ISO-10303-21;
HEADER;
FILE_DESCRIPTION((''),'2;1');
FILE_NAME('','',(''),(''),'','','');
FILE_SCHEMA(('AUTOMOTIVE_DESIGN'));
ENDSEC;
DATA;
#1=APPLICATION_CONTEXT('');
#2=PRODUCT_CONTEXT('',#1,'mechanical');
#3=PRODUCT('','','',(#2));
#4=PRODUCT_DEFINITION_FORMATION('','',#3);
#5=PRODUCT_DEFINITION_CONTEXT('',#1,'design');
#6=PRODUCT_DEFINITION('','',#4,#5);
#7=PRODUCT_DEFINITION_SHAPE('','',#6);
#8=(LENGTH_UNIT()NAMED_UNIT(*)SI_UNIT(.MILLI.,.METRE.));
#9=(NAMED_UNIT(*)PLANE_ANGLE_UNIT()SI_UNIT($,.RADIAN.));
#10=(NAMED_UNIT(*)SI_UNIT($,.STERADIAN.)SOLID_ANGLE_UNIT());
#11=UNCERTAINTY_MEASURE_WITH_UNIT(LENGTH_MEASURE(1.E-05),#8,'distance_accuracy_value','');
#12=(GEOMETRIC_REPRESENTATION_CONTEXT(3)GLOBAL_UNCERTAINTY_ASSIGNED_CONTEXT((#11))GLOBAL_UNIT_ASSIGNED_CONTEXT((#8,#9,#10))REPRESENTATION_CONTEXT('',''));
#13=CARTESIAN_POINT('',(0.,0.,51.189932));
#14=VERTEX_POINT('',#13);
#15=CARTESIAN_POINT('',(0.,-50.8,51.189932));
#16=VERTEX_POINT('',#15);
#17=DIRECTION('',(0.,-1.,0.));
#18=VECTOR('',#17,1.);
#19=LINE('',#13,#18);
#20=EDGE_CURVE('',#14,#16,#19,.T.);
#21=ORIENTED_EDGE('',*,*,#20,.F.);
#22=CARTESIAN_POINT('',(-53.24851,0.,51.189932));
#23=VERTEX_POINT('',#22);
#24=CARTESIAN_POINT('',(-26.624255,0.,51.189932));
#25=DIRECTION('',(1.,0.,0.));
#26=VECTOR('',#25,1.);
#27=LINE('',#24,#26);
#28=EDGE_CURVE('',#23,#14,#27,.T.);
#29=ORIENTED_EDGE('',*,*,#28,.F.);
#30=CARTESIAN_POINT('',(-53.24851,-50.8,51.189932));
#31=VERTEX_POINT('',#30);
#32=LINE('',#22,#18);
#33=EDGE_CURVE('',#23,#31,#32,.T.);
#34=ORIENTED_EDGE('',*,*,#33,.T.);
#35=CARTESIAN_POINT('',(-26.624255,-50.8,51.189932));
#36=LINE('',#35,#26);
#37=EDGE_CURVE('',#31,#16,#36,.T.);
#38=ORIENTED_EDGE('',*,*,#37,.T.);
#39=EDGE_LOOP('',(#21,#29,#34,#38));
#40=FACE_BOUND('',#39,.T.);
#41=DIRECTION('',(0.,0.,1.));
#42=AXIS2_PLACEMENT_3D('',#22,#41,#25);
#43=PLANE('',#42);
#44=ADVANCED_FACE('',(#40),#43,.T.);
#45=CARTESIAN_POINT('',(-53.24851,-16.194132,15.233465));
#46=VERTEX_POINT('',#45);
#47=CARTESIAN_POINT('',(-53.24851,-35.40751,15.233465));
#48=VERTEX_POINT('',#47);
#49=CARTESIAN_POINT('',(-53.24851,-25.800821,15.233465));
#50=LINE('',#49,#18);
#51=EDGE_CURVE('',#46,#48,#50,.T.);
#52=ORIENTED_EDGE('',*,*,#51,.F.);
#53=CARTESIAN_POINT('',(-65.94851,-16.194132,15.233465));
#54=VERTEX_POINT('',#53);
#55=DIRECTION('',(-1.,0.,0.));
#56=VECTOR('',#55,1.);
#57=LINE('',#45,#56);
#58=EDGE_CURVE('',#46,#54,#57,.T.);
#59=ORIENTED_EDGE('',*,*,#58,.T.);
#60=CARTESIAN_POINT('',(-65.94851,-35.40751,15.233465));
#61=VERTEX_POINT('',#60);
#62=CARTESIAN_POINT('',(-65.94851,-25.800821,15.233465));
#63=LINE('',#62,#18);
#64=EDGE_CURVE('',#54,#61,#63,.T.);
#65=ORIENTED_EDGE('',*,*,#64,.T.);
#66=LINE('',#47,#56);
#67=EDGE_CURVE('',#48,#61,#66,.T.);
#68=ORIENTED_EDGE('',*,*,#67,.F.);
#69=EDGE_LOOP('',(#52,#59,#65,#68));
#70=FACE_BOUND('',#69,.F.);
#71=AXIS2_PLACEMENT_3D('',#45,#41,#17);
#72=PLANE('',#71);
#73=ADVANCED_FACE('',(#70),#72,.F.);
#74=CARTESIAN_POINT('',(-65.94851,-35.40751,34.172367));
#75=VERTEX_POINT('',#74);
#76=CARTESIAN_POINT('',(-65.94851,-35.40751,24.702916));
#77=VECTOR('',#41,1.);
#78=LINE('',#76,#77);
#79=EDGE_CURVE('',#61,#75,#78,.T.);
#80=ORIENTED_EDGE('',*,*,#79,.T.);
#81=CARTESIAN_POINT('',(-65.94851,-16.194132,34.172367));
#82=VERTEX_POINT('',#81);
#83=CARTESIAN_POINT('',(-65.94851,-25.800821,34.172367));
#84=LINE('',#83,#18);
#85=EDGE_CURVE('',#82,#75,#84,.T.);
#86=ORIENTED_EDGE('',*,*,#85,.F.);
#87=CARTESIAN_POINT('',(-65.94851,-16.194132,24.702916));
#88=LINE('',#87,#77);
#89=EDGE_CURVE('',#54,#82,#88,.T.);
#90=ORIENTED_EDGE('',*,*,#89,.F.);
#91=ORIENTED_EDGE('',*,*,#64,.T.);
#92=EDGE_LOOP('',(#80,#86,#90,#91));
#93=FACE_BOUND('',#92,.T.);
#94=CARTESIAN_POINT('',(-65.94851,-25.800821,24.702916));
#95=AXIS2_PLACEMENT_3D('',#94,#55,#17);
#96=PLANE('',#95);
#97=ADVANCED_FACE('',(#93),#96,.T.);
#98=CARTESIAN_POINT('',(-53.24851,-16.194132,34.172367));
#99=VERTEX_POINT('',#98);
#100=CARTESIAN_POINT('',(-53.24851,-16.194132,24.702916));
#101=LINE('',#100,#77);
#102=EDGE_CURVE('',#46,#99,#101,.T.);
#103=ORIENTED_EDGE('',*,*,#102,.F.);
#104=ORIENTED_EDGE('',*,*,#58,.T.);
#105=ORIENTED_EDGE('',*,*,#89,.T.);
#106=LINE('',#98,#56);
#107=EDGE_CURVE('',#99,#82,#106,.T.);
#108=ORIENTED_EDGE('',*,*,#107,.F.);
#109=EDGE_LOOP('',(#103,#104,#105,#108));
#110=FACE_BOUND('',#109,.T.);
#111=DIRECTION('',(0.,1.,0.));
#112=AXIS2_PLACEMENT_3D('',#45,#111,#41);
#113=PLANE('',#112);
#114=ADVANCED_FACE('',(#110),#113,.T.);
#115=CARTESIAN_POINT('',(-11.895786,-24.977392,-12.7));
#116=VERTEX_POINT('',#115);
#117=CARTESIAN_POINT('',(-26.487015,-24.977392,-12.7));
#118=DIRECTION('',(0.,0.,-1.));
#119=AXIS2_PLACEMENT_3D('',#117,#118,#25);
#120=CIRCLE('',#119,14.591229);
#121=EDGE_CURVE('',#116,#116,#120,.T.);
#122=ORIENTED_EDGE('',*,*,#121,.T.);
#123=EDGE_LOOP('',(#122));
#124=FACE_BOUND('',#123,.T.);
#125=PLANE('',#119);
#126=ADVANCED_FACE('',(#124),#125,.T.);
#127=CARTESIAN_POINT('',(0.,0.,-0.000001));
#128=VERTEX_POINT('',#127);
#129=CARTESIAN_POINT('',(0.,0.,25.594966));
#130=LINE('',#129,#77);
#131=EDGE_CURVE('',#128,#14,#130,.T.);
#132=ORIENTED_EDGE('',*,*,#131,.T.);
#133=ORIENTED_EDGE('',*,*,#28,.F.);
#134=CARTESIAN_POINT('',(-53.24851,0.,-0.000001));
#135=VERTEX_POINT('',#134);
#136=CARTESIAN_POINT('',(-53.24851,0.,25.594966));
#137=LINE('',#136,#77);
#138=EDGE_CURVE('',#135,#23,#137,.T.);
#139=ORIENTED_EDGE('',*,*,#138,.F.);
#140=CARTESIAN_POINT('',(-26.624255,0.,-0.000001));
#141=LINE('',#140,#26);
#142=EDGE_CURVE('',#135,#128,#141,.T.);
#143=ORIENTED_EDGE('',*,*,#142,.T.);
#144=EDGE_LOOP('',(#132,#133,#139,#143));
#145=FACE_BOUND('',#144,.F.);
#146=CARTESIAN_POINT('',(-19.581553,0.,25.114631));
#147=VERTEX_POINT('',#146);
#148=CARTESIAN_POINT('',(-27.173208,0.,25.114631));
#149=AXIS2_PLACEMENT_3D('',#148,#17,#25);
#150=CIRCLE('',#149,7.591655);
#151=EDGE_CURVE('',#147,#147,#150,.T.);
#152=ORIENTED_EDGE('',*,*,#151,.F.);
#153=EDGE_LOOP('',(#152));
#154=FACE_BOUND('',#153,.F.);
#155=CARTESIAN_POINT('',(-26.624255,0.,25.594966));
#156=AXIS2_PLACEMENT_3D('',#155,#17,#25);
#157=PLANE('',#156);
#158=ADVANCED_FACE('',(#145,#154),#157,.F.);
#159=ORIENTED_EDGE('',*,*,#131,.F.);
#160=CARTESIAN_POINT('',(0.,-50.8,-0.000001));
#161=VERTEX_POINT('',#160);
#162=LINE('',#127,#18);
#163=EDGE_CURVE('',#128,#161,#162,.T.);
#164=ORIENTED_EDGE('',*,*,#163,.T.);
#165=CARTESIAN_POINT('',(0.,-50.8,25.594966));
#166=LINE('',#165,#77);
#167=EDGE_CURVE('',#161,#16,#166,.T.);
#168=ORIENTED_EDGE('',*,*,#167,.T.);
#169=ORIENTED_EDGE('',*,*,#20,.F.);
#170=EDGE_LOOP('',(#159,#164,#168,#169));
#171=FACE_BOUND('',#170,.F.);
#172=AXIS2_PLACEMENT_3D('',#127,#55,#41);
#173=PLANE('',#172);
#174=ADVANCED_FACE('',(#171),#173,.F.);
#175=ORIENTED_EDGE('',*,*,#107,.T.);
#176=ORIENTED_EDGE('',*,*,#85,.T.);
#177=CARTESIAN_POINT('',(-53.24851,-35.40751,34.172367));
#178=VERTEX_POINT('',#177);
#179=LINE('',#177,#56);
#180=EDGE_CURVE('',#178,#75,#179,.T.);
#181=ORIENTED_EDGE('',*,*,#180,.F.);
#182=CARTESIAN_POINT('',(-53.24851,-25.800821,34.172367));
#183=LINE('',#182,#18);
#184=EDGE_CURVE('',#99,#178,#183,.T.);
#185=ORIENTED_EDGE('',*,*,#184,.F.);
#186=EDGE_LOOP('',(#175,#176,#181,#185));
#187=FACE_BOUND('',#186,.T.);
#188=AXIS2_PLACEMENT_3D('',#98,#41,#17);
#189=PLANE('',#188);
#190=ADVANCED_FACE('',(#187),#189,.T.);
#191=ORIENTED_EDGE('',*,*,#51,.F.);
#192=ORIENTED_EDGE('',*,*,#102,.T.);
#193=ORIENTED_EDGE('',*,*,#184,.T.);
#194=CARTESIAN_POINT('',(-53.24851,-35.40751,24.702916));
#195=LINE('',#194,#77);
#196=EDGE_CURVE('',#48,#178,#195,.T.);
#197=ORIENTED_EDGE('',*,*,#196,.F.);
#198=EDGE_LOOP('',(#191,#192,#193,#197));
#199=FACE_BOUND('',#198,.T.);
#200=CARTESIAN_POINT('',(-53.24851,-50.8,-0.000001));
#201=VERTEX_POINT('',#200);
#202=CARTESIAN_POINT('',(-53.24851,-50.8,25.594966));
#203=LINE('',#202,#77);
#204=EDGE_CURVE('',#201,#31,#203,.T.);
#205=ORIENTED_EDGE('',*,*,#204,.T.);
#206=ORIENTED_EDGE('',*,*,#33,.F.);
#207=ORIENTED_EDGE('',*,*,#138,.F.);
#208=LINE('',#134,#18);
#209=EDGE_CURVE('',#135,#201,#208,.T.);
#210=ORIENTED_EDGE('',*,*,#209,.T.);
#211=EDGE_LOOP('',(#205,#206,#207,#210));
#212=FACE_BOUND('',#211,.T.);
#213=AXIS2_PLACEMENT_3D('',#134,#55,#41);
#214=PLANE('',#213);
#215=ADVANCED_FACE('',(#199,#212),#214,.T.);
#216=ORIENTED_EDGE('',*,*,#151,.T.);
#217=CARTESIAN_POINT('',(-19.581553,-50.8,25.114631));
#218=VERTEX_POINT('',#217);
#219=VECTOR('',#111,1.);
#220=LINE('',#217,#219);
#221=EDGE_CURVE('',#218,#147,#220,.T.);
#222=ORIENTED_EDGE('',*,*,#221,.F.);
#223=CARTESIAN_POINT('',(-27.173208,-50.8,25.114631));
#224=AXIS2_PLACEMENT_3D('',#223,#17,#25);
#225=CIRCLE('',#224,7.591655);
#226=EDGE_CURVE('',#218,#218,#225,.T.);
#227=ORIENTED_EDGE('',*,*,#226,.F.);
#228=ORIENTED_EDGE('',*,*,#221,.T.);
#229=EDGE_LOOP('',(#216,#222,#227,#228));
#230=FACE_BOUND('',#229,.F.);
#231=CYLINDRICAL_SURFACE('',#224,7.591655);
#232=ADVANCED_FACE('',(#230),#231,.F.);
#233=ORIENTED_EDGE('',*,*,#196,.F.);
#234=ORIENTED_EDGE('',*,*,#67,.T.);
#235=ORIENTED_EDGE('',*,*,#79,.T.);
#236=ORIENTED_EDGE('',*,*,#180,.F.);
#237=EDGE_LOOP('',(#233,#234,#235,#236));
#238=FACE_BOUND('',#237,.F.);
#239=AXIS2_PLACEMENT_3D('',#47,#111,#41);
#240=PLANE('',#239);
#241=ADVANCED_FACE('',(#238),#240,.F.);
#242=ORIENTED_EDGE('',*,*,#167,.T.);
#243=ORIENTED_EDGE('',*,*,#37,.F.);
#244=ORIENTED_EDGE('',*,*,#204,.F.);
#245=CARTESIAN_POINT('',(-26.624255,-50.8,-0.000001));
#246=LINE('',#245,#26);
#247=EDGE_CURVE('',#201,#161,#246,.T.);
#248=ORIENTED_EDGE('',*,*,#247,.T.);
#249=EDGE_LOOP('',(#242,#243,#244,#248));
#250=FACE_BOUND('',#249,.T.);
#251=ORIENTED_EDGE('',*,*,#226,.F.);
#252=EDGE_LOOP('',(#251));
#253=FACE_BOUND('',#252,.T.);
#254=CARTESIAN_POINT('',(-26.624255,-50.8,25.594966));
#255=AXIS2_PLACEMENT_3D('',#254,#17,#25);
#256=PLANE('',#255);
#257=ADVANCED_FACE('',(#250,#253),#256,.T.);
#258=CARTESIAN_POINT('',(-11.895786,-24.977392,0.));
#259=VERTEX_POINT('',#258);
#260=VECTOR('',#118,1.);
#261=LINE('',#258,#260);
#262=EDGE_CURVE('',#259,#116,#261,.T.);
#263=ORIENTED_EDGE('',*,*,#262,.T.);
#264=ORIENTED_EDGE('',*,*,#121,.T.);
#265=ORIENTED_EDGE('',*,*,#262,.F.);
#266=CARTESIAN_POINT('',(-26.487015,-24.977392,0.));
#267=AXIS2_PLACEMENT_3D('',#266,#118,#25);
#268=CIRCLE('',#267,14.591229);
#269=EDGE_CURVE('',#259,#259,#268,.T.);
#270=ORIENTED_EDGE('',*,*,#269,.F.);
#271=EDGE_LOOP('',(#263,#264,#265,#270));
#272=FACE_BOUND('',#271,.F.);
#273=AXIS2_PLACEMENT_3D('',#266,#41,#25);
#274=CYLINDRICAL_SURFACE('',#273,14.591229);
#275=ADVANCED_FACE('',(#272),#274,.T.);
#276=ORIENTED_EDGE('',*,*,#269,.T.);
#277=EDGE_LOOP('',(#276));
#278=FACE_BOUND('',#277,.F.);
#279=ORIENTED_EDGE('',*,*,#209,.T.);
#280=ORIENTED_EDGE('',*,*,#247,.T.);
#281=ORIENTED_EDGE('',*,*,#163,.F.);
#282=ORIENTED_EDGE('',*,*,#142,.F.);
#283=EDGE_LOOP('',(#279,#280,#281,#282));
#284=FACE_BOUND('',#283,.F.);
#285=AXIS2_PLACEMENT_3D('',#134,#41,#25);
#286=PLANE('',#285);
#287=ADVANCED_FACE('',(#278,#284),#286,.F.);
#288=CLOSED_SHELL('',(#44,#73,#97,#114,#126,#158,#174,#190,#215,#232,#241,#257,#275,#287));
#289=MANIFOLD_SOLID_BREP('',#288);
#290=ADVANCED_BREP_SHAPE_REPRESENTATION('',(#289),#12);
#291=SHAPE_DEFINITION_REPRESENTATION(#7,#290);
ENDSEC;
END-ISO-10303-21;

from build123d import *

# Parameters (mm, degrees)
F0_W     = 53.24851
F0_H     = 51.189933
F1_DEPTH = 50.8
F2_R     = 7.591655
F3_DEPTH = 50.8
F4_W     = 19.213377
F4_H     = 18.938902
F5_DEPTH = 12.7
F6_R     = 14.591229
F7_DEPTH = 12.7


with BuildPart() as f1:
    # F0 (on Front) → F1 (new body)
    with BuildSketch(Plane.XZ):
        with Locations((-26.624255, 25.594966)):
            Rectangle(F0_W, F0_H)
    extrude(amount=F1_DEPTH)

    # F2 (on face) → F3 (cut)
    with BuildSketch(Plane.XZ.offset(50.8)):
        with Locations((-27.173208, 25.114631)):
            Circle(F2_R)
    extrude(amount=-F3_DEPTH, mode=Mode.SUBTRACT)

    # F4 (on face) → F5 (join)
    with BuildSketch(Plane(origin=(-53.24851, 0, 0), x_dir=(0, -1, 0), z_dir=(-1, 0, 0))):
        with Locations((25.800821, 24.702916)):
            Rectangle(F4_W, F4_H)
    extrude(amount=F5_DEPTH)

    # F6 (on face) → F7 (join)
    with BuildSketch(Plane(origin=(0, 0, 0), x_dir=(1, 0, 0), z_dir=(0, 0, -1))):
        with Locations((-26.487015, 24.977392)):
            Circle(F6_R)
    extrude(amount=F7_DEPTH)


solid = f1.part
